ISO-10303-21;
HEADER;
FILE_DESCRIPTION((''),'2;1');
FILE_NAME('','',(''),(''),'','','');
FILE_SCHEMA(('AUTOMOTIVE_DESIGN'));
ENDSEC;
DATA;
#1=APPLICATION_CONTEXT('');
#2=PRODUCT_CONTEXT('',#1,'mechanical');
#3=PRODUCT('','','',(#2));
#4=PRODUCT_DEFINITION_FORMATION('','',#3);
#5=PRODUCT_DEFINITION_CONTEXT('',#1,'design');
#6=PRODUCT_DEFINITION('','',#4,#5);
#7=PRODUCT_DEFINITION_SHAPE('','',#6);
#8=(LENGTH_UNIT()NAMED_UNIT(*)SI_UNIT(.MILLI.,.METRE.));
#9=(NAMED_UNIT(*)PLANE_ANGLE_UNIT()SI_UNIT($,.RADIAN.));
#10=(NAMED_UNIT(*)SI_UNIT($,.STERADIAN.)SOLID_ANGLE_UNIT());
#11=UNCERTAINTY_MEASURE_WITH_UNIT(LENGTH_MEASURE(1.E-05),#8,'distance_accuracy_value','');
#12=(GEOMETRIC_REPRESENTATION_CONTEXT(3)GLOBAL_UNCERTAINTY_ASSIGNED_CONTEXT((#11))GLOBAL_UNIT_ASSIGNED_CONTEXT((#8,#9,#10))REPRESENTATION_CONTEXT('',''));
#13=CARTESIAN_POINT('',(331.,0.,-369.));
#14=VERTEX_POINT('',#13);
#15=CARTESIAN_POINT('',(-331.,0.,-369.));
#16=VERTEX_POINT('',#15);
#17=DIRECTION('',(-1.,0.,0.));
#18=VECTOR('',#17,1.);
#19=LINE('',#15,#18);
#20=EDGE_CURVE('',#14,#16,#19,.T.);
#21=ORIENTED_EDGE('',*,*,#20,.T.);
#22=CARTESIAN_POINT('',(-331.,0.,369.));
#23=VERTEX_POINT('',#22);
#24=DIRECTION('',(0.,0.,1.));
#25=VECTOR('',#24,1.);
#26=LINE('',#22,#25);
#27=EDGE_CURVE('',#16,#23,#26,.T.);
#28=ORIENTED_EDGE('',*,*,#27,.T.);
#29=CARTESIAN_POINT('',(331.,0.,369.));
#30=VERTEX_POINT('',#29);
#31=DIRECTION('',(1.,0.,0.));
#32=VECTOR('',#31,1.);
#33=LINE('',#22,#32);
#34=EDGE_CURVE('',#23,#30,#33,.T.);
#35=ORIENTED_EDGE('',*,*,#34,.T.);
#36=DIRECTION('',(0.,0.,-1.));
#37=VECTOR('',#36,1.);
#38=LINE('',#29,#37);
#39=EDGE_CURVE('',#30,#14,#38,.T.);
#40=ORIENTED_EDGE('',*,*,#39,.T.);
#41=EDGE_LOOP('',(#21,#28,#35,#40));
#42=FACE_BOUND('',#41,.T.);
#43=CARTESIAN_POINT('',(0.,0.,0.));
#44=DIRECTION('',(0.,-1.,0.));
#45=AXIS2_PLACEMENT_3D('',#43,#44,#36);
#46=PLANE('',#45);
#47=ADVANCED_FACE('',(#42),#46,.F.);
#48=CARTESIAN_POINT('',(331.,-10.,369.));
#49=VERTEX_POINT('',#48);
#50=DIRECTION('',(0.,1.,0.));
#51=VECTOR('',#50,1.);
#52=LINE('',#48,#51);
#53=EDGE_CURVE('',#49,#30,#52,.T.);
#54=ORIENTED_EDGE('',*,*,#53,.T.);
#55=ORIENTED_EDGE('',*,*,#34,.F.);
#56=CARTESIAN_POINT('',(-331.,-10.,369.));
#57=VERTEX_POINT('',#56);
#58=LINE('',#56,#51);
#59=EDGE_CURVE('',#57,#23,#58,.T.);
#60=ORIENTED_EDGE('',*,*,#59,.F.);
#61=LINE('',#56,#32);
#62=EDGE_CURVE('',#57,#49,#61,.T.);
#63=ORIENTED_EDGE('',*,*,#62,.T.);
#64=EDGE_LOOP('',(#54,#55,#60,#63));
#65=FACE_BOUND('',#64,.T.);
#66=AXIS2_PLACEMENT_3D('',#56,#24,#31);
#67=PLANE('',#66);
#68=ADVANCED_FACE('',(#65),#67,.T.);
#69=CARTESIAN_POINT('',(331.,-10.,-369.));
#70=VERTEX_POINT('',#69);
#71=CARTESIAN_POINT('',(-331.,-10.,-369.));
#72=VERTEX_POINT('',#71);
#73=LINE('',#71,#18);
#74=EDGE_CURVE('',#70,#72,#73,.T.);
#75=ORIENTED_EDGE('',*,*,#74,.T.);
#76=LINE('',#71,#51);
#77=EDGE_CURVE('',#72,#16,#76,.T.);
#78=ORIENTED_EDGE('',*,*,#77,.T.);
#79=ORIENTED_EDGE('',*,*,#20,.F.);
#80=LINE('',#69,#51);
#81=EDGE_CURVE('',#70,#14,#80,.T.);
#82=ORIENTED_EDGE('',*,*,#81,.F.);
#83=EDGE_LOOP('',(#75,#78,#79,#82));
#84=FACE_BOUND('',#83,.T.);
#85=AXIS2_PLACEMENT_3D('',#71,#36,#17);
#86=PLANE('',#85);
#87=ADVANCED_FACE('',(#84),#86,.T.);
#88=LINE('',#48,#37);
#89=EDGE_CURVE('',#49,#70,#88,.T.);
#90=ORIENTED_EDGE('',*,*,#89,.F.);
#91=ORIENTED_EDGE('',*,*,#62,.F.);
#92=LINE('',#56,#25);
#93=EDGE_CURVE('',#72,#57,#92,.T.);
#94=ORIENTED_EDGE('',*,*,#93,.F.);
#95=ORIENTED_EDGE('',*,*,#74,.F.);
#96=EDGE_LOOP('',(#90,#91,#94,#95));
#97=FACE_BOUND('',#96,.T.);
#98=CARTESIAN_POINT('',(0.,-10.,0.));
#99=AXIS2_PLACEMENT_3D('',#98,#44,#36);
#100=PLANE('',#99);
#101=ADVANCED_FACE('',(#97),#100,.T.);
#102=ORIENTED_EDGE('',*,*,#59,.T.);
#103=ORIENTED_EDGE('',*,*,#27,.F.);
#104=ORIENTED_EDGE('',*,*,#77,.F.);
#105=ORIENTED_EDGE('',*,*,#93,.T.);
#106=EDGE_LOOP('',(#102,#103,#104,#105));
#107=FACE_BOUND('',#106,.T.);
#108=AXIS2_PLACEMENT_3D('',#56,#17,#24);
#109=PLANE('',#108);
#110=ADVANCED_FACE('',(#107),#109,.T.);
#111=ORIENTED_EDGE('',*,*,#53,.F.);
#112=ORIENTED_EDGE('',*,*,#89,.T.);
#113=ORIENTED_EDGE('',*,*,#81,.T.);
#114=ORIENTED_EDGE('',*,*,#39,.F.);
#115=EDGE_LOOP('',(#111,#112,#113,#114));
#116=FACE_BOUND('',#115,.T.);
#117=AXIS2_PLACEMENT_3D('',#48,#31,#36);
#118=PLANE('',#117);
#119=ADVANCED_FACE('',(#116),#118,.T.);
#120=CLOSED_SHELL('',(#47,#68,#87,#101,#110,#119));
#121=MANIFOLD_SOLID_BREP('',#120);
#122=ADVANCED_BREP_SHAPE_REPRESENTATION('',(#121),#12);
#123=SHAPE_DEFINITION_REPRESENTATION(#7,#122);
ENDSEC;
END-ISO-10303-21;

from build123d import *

# Parameters (mm, degrees)
SKETCH1_W           = 662
SKETCH1_H           = 738
BOSS_EXTRUDE1_DEPTH = 10


with BuildPart() as part:
    # Sketch1 → Boss-Extrude1 (new body)
    with BuildSketch(Plane(origin=(0, 0, 0), x_dir=(1, 0, 0), z_dir=(0, 1, 0))):
        Rectangle(SKETCH1_W, SKETCH1_H)
    extrude(amount=-BOSS_EXTRUDE1_DEPTH)


solid = part.part
